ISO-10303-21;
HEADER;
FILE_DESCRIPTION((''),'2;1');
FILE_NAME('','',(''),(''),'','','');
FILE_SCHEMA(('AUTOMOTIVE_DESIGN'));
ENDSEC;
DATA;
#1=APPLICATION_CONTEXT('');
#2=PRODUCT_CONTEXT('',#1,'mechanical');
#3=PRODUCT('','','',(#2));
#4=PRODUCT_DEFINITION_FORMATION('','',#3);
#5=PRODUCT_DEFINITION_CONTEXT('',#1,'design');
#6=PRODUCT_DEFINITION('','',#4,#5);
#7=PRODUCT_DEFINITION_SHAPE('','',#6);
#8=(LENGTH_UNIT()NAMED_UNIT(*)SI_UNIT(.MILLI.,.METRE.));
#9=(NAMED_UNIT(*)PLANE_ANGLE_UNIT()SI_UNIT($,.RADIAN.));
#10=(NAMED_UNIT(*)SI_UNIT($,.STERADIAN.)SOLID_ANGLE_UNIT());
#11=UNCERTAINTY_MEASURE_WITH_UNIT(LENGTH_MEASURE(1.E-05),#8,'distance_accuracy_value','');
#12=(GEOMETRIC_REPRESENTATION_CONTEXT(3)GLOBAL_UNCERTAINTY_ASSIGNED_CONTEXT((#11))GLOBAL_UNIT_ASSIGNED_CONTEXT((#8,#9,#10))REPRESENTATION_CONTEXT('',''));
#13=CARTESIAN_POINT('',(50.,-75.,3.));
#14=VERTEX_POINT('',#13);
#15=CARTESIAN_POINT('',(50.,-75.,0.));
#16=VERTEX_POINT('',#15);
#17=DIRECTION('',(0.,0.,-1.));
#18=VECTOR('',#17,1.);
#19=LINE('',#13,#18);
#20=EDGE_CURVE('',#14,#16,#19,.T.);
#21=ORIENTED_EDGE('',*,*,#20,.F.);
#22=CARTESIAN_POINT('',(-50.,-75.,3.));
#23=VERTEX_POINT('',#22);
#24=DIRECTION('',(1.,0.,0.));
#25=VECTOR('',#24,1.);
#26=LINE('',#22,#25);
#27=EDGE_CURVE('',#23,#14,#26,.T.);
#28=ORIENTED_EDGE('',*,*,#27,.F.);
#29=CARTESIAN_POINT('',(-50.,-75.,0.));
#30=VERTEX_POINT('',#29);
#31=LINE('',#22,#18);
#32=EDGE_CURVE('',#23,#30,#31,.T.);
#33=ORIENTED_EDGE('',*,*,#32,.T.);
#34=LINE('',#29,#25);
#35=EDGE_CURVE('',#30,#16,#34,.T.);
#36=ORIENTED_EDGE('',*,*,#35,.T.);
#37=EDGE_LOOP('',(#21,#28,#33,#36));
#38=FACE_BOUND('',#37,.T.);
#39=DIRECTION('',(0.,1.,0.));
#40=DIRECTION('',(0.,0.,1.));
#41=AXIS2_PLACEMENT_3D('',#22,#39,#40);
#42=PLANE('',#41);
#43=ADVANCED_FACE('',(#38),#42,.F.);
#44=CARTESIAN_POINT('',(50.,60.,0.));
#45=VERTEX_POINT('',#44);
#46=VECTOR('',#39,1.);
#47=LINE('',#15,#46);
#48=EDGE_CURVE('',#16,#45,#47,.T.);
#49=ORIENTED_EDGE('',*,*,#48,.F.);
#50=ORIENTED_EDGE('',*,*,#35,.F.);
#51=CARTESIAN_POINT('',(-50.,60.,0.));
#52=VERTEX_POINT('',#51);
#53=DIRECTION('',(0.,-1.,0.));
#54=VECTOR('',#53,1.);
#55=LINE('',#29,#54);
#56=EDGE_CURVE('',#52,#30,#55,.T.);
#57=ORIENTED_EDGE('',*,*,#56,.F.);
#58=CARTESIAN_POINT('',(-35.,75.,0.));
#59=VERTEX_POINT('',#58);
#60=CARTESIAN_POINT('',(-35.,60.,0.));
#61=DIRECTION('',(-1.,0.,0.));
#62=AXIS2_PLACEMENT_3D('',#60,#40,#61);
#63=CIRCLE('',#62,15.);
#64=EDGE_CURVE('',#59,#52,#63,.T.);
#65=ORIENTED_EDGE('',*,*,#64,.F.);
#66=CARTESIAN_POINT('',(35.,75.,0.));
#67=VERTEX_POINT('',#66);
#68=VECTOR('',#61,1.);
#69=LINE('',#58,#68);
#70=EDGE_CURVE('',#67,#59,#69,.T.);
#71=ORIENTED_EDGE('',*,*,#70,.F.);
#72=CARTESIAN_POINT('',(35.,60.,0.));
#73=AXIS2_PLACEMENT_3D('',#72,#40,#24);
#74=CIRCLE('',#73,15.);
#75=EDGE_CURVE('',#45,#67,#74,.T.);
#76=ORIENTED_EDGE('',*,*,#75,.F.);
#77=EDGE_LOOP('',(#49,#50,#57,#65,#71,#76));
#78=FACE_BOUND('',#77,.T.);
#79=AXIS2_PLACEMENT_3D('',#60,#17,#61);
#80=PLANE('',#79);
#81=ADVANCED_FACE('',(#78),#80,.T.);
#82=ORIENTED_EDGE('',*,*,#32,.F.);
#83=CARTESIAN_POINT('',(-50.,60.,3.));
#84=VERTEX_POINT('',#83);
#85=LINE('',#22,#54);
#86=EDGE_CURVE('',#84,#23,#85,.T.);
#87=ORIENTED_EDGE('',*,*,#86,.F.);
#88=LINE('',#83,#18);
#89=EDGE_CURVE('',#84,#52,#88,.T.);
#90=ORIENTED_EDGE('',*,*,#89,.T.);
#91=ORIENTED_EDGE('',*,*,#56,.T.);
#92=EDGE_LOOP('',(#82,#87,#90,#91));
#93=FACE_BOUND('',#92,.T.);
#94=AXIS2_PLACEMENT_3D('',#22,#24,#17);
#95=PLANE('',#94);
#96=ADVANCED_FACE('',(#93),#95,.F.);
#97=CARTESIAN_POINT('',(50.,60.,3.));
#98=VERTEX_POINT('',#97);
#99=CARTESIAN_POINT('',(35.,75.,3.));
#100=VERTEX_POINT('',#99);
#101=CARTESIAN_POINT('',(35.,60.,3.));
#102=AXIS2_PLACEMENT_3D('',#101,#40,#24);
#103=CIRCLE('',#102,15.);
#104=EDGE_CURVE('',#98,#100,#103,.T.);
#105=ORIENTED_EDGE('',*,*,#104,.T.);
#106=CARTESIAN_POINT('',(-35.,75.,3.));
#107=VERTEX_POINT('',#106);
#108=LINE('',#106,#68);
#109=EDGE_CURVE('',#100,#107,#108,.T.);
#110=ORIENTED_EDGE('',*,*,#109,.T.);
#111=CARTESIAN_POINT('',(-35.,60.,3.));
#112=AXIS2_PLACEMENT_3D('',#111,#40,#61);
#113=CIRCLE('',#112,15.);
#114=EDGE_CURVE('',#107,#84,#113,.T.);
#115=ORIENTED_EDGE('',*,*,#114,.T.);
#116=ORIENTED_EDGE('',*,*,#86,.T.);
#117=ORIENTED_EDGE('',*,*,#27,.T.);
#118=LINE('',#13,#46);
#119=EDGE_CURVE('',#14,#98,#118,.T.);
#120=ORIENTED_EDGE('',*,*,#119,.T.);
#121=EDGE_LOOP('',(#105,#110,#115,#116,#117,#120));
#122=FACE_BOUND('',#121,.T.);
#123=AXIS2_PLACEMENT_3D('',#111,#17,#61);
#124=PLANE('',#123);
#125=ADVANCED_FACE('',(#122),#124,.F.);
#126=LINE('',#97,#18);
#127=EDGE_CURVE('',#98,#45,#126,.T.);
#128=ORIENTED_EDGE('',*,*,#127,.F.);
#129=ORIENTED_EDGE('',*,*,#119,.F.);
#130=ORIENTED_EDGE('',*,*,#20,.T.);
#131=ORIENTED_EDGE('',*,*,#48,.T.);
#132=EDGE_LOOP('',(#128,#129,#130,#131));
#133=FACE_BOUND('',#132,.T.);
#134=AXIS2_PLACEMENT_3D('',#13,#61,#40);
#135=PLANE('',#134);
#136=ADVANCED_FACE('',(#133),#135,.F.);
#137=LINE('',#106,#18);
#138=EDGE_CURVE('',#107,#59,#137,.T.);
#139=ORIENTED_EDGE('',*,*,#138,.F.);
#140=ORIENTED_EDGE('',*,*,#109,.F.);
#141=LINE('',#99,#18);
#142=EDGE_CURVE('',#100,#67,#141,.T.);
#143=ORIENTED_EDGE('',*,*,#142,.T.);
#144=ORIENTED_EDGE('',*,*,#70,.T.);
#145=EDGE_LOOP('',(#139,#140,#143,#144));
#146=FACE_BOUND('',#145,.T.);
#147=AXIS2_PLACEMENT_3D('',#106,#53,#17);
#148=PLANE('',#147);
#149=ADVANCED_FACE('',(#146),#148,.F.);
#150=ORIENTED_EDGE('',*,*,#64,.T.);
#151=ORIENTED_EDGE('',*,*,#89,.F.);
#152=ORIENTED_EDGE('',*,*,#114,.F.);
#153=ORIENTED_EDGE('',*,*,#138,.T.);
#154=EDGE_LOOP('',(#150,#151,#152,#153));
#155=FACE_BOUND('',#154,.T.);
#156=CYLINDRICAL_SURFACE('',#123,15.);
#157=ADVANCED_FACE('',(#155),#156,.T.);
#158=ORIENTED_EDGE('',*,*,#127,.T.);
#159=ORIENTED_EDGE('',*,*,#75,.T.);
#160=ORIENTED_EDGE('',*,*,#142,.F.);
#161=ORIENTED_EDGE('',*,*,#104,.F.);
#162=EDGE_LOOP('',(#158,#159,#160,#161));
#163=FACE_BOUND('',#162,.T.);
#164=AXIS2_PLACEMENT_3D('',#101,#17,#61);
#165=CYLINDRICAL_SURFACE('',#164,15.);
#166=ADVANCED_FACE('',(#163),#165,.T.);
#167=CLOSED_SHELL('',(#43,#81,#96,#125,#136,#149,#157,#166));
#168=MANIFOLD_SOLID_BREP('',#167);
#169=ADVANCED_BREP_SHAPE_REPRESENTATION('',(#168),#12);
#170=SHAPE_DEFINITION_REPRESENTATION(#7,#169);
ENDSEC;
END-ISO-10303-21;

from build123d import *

# Parameters (mm, degrees)
BOSS_EXTRUDE5_DEPTH = 3


with BuildPart() as part:
    # Sketch18 → Boss-Extrude5 (new body)
    with BuildSketch(Plane.XY):
        with BuildLine():
            Line((-50, -75), (50, -75))
            Line((50, -75), (50, 60))
            ThreePointArc((50, 60), (45.606601718, 70.606601718), (35, 75))
            Line((35, 75), (-35, 75))
            ThreePointArc((-35, 75), (-45.606601718, 70.606601718), (-50, 60))
            Line((-50, 60), (-50, -75))
        make_face()
    extrude(amount=BOSS_EXTRUDE5_DEPTH)


solid = part.part
